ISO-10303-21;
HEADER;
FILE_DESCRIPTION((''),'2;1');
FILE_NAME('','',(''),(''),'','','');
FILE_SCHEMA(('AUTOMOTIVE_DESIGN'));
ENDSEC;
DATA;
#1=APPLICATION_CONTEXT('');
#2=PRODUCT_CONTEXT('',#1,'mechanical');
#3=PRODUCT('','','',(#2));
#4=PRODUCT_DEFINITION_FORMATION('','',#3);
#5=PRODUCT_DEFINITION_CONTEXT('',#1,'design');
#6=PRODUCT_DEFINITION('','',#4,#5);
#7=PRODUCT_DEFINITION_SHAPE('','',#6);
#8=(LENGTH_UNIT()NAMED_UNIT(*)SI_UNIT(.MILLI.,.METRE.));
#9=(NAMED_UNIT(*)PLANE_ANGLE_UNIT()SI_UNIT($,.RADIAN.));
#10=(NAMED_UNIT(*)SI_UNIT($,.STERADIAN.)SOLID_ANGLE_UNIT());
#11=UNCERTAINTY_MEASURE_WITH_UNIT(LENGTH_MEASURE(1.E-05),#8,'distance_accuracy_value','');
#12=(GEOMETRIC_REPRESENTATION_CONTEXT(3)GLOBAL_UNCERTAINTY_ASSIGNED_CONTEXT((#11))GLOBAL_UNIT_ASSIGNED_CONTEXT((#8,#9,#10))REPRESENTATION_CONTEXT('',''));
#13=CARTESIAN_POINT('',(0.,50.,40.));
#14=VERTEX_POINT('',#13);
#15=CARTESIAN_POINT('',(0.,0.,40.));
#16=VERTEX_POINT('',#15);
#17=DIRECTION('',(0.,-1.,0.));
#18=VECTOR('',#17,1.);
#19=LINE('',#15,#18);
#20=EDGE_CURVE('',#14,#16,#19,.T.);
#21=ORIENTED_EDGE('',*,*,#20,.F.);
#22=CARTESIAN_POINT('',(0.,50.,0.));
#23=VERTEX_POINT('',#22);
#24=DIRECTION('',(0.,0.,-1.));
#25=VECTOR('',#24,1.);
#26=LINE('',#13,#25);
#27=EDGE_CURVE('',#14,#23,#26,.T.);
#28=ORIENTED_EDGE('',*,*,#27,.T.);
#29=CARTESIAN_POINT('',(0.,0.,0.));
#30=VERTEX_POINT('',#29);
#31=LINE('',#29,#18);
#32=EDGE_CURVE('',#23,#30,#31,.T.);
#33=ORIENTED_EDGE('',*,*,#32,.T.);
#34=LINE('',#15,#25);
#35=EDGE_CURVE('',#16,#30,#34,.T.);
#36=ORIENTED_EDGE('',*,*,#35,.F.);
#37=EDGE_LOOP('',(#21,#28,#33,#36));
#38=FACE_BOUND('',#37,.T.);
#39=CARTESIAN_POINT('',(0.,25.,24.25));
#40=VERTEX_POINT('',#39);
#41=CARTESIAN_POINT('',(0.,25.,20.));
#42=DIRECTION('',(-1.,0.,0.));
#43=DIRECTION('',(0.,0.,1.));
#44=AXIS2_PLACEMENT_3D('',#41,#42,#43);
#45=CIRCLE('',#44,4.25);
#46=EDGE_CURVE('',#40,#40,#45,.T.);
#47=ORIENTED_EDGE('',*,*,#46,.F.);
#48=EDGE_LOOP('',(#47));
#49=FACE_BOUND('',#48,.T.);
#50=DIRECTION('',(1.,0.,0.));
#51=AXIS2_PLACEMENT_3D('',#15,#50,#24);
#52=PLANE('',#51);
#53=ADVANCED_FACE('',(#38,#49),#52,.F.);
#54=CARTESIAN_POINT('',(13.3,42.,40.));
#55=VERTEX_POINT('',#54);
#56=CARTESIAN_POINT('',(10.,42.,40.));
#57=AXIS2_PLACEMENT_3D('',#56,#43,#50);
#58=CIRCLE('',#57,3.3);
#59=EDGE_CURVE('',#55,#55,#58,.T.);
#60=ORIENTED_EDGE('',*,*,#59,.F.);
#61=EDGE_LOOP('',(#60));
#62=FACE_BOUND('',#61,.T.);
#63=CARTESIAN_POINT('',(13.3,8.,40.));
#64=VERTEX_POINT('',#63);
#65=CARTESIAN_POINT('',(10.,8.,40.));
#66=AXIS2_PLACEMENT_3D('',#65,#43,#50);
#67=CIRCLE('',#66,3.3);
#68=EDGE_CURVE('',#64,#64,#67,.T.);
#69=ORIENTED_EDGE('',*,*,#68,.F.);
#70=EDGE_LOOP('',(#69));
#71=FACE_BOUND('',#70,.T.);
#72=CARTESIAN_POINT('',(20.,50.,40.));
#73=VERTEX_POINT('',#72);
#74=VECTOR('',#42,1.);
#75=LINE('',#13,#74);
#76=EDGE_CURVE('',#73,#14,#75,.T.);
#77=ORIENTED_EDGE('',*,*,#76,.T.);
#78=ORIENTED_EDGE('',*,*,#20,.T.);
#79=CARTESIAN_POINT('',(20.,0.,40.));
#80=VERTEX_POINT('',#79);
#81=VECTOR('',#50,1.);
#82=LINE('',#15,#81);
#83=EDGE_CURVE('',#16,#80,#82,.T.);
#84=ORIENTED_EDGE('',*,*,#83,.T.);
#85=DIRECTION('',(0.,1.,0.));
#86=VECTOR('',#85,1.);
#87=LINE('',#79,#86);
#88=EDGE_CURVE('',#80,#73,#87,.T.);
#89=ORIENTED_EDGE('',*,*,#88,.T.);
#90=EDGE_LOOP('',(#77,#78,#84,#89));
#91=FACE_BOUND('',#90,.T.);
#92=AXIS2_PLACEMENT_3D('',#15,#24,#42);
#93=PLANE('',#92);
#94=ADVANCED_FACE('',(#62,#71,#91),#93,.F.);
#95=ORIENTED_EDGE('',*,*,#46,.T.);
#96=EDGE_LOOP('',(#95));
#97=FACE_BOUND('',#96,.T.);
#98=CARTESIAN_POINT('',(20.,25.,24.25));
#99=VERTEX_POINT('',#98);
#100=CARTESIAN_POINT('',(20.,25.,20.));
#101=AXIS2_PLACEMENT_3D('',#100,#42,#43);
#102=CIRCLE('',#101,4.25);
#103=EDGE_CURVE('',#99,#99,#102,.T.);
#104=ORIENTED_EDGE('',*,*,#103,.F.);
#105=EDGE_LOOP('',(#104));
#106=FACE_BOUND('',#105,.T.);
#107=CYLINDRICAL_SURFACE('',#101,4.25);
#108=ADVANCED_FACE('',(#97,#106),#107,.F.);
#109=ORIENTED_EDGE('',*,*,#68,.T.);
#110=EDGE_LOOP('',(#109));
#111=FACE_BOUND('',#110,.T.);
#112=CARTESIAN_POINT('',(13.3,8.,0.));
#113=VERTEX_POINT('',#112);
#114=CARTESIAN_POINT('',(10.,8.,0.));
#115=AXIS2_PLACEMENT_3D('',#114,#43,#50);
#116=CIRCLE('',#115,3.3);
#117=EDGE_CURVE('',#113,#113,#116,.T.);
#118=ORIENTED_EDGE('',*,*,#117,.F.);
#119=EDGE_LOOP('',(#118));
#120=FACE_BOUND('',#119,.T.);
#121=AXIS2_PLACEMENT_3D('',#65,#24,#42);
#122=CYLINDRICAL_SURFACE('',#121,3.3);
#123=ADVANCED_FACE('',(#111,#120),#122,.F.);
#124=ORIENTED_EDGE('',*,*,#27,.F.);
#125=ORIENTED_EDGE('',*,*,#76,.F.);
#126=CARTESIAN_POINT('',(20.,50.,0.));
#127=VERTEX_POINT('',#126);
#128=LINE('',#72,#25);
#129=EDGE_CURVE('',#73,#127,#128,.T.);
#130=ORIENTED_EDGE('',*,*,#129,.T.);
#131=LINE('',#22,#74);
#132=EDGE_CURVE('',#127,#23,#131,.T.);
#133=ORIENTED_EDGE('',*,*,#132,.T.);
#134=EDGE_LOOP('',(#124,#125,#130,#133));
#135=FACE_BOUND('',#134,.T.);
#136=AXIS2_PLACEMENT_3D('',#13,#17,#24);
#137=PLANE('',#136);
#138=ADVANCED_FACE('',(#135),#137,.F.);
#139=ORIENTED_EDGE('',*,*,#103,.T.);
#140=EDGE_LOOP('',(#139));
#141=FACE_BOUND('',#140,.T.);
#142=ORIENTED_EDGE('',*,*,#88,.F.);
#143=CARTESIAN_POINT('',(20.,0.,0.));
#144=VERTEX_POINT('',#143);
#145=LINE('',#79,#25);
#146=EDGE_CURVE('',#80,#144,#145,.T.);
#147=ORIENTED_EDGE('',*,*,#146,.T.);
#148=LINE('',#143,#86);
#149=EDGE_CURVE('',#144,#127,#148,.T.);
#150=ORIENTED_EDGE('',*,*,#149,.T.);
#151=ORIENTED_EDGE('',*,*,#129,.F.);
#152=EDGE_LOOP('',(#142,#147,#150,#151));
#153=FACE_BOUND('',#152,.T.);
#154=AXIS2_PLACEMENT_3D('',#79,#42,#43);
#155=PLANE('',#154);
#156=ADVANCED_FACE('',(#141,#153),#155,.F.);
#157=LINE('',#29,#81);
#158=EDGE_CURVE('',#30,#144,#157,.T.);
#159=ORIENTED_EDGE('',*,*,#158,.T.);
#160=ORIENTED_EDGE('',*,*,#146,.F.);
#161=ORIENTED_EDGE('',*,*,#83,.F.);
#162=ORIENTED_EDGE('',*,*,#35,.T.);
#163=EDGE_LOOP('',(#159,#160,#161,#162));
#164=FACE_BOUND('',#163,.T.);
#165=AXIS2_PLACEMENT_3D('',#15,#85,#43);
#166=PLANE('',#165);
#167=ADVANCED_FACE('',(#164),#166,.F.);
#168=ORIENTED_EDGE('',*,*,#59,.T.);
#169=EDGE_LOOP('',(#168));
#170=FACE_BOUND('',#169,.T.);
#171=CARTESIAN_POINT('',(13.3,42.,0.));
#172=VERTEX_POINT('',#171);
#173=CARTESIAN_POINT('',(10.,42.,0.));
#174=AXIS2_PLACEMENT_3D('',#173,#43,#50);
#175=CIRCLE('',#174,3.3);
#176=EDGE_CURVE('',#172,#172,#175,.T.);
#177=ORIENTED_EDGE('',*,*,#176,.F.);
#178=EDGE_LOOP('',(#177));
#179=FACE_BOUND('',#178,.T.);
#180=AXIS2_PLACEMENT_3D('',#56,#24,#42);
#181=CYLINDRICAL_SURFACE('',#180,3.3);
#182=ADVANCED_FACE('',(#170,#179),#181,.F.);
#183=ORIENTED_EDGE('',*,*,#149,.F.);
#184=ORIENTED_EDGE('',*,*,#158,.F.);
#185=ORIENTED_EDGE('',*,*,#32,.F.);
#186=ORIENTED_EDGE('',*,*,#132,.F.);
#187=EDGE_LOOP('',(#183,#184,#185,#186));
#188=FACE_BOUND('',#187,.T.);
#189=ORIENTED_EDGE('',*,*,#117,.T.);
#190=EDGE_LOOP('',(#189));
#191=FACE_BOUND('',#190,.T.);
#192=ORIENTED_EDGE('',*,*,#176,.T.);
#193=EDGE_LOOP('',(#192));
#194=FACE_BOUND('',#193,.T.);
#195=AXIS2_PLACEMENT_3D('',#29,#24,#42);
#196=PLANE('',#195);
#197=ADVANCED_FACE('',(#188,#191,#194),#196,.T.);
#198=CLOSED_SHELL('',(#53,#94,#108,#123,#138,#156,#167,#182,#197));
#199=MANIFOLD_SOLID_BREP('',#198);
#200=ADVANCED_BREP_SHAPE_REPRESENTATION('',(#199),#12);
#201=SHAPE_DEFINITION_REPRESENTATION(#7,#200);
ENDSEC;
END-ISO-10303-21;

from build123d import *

# Parameters (mm, degrees)
SKETCH_1_W                   = 20
SKETCH_1_H                   = 50
SKETCH_1_R                   = 3.3
SCREW_BRACKET_20X50X40_DEPTH = 40
SKETCH_2_R                   = 4.25
M10_TAP_PILOT_8P5_DEPTH      = 20


with BuildPart() as part:
    # 草图1 → Screw_bracket_20x50x40 (new body)
    with BuildSketch(Plane.XY):
        with Locations((10, 25)):
            Rectangle(SKETCH_1_W, SKETCH_1_H)
        with Locations((10, 8)):
            Circle(SKETCH_1_R, mode=Mode.SUBTRACT)
        with Locations((10, 42)):
            Circle(SKETCH_1_R, mode=Mode.SUBTRACT)
    extrude(amount=SCREW_BRACKET_20X50X40_DEPTH)

    # 草图2 → M10_tap_pilot_8p5 (cut)
    with BuildSketch(Plane.ZY):
        with Locations((20, 25)):
            Circle(SKETCH_2_R)
    extrude(amount=-M10_TAP_PILOT_8P5_DEPTH, mode=Mode.SUBTRACT)


solid = part.part
